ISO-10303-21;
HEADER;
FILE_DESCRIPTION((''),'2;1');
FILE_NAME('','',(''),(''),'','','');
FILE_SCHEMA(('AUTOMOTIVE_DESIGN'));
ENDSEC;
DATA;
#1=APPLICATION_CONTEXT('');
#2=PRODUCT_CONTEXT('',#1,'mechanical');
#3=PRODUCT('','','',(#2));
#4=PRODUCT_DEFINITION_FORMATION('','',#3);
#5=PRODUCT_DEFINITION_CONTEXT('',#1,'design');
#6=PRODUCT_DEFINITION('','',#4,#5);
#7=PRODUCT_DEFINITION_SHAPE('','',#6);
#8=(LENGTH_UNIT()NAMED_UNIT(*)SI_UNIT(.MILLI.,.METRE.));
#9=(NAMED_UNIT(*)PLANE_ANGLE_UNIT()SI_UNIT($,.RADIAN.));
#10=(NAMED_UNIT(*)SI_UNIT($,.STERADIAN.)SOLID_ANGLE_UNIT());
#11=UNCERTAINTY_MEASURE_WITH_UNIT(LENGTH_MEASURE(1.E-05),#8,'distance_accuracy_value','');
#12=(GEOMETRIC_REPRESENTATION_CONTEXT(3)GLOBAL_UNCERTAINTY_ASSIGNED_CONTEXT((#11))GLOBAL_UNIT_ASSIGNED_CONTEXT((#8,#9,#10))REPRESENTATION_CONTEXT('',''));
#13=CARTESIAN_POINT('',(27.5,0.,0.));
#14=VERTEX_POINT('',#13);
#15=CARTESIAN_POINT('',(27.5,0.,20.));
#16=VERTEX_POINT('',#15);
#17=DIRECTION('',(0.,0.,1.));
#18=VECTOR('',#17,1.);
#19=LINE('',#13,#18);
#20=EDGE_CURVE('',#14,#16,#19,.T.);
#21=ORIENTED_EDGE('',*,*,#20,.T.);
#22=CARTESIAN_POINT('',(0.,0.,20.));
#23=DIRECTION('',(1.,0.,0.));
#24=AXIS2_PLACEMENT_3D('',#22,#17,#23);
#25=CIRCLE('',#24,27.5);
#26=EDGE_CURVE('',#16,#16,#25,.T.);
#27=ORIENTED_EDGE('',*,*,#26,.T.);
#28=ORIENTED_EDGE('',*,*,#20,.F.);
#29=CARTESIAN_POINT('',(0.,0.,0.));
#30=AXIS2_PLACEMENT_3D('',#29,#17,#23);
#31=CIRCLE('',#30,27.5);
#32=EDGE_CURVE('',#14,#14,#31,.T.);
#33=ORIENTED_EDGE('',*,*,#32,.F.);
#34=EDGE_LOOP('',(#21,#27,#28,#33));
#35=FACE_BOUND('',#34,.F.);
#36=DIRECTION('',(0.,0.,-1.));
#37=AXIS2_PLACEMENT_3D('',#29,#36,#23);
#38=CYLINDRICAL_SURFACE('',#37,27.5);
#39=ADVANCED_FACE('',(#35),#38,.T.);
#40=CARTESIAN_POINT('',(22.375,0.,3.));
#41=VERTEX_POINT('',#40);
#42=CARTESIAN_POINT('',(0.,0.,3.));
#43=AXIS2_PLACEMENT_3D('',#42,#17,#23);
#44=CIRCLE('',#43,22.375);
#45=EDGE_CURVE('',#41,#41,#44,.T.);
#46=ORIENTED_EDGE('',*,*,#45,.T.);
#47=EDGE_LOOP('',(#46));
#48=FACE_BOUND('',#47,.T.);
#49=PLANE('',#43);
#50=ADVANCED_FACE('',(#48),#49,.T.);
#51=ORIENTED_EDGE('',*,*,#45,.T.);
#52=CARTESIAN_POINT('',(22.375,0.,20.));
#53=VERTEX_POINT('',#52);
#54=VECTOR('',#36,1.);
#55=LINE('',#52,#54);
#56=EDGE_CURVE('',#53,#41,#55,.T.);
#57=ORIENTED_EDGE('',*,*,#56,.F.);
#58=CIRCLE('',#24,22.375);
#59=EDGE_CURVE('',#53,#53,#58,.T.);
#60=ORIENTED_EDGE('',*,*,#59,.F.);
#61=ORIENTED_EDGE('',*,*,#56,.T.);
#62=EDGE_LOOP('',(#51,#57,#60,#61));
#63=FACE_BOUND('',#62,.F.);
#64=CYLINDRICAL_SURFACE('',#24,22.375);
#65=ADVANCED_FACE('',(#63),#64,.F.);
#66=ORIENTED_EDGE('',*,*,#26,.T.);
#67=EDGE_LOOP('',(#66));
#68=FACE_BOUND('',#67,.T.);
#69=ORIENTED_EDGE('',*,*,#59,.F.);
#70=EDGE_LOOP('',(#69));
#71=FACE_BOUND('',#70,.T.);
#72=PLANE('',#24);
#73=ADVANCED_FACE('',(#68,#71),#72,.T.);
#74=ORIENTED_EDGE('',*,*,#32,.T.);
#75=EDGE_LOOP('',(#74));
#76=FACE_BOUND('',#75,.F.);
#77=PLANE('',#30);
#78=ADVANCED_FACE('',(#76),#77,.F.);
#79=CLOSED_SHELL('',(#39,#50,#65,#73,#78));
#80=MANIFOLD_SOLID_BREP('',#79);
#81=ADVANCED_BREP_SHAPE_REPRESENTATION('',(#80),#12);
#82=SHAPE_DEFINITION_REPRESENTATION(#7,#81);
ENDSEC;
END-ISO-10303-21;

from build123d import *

# Parameters (mm, degrees)
SKETCH_R     = 27.5
PAD_DEPTH    = 20
SKETCH001_R  = 22.375
POCKET_DEPTH = 17


with BuildPart() as part:
    # Sketch → Pad (new body)
    with BuildSketch(Plane.XY):
        Circle(SKETCH_R)
    extrude(amount=PAD_DEPTH)

    # Sketch001 (on Face3 of Pad) → Pocket (cut)
    with BuildSketch(Plane.XY.offset(20)):
        Circle(SKETCH001_R)
    extrude(amount=-POCKET_DEPTH, mode=Mode.SUBTRACT)


solid = part.part
